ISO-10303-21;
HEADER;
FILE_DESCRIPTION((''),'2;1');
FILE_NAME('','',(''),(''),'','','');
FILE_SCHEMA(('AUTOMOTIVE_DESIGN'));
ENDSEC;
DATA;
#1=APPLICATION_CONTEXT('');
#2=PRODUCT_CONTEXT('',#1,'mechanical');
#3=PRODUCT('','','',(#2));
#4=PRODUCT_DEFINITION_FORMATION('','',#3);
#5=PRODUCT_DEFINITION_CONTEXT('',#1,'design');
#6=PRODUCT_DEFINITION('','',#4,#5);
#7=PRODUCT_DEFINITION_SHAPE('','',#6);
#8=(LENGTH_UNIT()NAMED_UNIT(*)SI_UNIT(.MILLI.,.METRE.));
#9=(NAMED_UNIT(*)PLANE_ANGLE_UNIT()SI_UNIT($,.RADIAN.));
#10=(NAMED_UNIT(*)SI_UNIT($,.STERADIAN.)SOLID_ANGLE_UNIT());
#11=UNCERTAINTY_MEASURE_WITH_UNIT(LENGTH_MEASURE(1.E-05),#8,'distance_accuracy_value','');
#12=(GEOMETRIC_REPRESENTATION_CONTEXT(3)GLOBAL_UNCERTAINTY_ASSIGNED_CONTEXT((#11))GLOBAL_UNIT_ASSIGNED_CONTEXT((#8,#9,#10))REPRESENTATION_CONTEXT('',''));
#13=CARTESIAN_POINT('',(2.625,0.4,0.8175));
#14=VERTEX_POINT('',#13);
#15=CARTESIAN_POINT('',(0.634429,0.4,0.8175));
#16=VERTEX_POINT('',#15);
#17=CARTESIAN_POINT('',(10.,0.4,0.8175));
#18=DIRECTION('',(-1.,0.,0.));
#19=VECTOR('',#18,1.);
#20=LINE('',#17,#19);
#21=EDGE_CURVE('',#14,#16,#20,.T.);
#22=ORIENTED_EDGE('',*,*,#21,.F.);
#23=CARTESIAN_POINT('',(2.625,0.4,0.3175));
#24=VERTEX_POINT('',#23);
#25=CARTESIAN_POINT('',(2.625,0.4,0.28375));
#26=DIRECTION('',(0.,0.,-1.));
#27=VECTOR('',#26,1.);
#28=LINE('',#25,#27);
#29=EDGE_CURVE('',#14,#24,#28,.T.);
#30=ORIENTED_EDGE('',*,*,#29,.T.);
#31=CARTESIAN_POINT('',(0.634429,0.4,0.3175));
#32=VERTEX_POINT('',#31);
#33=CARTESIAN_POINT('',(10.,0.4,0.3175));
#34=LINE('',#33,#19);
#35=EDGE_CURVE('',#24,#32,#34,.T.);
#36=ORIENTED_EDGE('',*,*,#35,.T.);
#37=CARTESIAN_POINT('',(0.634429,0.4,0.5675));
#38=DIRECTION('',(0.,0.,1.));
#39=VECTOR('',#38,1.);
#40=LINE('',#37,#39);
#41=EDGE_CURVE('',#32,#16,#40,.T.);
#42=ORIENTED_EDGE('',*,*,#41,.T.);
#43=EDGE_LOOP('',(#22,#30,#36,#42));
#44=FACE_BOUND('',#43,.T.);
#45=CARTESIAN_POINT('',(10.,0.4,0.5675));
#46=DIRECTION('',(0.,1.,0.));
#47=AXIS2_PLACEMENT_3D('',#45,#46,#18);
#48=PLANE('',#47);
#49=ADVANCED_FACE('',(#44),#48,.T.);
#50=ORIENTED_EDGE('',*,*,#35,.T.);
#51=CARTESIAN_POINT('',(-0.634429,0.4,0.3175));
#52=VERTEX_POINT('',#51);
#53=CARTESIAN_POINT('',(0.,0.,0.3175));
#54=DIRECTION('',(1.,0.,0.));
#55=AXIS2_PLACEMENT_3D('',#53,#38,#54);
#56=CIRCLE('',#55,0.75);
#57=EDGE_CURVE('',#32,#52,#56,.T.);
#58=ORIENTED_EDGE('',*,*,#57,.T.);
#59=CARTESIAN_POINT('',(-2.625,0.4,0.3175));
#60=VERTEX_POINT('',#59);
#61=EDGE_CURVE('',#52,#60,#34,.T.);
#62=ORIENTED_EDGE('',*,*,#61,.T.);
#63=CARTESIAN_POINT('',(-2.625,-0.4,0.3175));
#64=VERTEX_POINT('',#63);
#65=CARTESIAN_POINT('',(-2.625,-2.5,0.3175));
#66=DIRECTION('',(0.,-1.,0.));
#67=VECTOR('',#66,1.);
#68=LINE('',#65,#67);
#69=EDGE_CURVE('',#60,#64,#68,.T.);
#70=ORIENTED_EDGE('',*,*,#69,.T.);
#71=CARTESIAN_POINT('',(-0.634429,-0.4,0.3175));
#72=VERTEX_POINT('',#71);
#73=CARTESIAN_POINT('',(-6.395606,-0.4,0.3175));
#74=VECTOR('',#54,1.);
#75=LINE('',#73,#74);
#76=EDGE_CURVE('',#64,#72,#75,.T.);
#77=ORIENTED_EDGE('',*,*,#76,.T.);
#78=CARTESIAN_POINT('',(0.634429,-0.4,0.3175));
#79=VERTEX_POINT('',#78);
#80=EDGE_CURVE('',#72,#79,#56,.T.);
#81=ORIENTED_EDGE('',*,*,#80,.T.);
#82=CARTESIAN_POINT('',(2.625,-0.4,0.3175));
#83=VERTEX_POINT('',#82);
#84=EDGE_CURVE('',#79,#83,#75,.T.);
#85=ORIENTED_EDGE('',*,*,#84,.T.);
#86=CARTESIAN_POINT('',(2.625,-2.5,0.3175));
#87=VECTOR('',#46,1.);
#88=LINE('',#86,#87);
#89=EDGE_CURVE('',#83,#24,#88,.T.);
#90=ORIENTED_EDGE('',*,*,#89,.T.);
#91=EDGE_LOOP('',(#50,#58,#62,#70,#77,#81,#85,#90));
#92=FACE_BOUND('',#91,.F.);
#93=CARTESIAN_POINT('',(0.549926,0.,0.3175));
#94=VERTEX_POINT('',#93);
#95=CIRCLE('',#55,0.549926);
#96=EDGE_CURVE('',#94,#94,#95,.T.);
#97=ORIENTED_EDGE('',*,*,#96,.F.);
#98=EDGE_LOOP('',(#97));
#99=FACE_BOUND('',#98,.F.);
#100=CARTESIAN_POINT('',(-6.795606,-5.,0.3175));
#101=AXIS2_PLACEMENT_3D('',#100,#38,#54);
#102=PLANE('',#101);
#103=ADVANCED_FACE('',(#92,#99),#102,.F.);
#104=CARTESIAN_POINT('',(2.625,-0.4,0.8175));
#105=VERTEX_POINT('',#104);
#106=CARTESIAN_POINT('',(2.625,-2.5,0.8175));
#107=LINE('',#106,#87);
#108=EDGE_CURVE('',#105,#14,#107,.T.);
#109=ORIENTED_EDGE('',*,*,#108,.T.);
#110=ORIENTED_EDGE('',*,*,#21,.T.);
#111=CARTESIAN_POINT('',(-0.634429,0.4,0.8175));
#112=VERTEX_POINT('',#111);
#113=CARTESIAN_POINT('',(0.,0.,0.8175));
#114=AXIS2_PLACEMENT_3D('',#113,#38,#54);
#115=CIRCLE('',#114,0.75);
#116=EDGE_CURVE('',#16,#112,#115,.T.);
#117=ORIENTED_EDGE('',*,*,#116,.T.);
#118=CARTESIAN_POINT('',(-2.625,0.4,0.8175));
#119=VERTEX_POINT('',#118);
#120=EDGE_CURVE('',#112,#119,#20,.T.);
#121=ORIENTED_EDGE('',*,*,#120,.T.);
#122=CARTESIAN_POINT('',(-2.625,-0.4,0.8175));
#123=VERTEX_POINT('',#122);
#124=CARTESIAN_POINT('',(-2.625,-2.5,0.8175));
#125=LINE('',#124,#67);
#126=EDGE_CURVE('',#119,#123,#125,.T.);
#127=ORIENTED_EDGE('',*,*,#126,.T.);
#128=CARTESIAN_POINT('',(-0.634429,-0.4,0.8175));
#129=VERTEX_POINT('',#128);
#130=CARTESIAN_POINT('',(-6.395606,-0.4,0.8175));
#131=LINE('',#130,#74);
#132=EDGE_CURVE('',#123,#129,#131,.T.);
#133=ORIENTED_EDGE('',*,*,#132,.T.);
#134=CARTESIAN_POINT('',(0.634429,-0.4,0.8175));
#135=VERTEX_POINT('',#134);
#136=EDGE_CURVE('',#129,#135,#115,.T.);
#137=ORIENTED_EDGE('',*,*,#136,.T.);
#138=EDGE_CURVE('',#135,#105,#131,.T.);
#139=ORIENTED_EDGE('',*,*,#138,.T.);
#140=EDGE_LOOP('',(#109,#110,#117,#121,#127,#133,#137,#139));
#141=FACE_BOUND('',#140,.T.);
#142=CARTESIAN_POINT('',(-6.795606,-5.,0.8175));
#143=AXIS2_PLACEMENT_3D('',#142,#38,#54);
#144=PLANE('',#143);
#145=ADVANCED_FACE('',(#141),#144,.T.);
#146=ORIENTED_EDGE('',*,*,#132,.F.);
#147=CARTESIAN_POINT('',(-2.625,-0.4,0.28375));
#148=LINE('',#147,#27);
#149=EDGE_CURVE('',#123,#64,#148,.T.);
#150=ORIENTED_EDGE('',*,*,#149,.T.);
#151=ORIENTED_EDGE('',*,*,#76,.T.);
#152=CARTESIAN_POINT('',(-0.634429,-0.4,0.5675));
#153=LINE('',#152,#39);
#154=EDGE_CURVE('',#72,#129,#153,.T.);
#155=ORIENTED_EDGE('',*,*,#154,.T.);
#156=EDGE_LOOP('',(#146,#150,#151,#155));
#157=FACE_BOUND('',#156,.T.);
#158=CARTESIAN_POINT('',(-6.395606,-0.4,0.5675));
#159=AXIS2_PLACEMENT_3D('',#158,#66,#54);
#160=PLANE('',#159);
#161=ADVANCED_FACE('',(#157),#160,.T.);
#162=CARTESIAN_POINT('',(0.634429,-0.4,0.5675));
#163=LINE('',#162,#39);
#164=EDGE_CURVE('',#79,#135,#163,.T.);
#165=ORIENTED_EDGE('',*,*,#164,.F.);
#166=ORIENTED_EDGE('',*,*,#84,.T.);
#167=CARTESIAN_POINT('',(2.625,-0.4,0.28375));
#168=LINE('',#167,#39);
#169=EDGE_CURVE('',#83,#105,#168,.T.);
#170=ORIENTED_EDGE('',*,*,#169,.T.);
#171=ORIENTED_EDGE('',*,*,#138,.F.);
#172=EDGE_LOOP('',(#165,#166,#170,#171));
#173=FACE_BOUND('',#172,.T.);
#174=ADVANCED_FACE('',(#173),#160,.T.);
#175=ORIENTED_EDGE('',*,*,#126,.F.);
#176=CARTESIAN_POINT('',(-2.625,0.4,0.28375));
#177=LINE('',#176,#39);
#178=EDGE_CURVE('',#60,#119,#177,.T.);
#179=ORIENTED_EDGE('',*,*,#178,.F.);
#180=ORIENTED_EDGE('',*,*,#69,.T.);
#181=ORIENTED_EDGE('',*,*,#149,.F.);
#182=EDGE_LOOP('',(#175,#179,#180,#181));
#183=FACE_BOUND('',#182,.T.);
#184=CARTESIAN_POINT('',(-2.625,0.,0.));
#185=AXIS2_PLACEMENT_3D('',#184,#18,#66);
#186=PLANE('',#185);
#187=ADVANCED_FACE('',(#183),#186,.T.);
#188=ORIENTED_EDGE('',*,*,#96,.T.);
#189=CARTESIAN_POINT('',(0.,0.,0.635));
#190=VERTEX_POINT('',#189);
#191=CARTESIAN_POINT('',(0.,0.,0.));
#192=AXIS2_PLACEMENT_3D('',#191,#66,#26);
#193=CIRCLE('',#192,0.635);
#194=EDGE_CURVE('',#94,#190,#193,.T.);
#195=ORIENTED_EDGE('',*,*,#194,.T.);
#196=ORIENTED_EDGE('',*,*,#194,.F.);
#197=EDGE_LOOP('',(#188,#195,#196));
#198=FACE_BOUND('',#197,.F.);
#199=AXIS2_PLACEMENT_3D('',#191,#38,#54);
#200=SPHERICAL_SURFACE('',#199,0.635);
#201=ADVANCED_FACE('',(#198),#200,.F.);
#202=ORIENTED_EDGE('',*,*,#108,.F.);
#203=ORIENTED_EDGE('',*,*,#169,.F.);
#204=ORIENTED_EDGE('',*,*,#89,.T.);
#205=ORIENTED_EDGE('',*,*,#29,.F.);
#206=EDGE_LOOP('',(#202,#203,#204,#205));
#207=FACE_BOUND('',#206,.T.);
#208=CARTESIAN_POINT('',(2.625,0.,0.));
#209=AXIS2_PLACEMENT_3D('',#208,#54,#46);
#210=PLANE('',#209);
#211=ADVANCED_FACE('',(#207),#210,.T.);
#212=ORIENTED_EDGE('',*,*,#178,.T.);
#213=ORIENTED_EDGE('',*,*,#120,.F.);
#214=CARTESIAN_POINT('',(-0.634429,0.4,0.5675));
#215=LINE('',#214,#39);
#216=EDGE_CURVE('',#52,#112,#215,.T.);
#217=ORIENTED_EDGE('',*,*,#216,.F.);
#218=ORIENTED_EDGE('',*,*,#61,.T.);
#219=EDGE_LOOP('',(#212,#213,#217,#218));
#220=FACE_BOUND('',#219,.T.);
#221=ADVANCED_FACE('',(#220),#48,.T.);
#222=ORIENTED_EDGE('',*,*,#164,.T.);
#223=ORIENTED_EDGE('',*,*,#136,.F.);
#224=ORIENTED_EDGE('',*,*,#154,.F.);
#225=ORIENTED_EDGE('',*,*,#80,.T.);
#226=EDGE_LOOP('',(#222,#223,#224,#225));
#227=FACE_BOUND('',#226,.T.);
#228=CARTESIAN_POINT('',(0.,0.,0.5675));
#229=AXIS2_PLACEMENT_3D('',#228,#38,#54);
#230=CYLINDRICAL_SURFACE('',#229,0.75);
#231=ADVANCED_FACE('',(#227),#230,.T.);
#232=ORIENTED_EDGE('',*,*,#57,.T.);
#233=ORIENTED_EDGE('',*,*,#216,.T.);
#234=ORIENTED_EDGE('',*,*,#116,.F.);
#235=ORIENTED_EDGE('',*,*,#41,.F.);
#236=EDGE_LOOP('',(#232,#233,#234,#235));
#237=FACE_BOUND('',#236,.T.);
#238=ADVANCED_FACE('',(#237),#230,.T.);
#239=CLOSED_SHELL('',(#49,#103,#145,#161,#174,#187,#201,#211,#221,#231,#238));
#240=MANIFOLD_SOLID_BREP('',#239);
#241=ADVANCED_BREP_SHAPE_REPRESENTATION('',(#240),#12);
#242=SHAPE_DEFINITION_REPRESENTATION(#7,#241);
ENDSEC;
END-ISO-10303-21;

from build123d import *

# Parameters (mm, degrees)
PAD_DEPTH       = 0.25
SKETCH001_R     = 0.75
PAD001_DEPTH    = 0.25
SKETCH002_R     = 0.75
PAD002_DEPTH    = 0.25
SKETCH003_R     = 0.75
PAD003_DEPTH    = 0.25
SKETCH004_R     = 0.75
PAD004_DEPTH    = 0.4
SKETCH005_W     = 20
SKETCH005_H     = 20
POCKET_DEPTH    = 4.921606
SKETCH006_W     = 20
SKETCH006_H     = 20
POCKET001_DEPTH = 7.376


with BuildPart() as part:
    # Sketch (on DatumPlane) → Pad (new body, symmetric)
    with BuildSketch(Plane.XY.offset(0.5675)):
        Polygon((-7.195606, 5), (-7.195606, 0), (-7.195606, -5), (-6.795606, -5), (-6.395606, -5), (-6.395606, -0.4), (10, -0.4), (10, 0.4), (-6.395606, 0.4), (-6.395606, 5), (-6.795606, 5), align=None)
    extrude(amount=PAD_DEPTH, both=True)

    # Sketch001 (on DatumPlane) → Pad001 (join, symmetric)
    with BuildSketch(Plane.XY.offset(0.5675)):
        Circle(SKETCH001_R)
    extrude(amount=PAD001_DEPTH, both=True)

    # Sketch002 (on DatumPlane) → Pad002 (join, symmetric)
    with BuildSketch(Plane.XY.offset(0.5675)):
        with Locations((-6.795606, 5)):
            Circle(SKETCH002_R)
    extrude(amount=PAD002_DEPTH, both=True)

    # Sketch003 (on DatumPlane) → Pad003 (join, symmetric)
    with BuildSketch(Plane.XY.offset(0.5675)):
        with Locations((-6.795606, -5)):
            Circle(SKETCH003_R)
    extrude(amount=PAD003_DEPTH, both=True)

    # Sphere → Sphere (revolve, cut)
    with BuildSketch(Plane.XZ):
        with BuildLine():
            ThreePointArc((0, -0.635), (0.635, 0), (0, 0.635))
            Line((0, 0.635), (0, -0.635))
        make_face()
    revolve(axis=Axis((0, 0, 0), (0, 0, 1)), mode=Mode.SUBTRACT)

    # Sphere001 → Sphere001 (revolve, cut)
    with BuildSketch(Plane(origin=(-6.795606, 5, 1.135), x_dir=(1, 0, 0), z_dir=(0, -1, 0))):
        with BuildLine():
            ThreePointArc((0, -0.635), (0.635, 0), (0, 0.635))
            Line((0, 0.635), (0, -0.635))
        make_face()
    revolve(axis=Axis((-6.795606, 5, 1.135), (0, 0, 1)), mode=Mode.SUBTRACT)

    # Sphere002 → Sphere002 (revolve, cut)
    with BuildSketch(Plane(origin=(-6.795606, -5, 1.135), x_dir=(1, 0, 0), z_dir=(0, -1, 0))):
        with BuildLine():
            ThreePointArc((0, -0.635), (0.635, 0), (0, 0.635))
            Line((0, 0.635), (0, -0.635))
        make_face()
    revolve(axis=Axis((-6.795606, -5, 1.135), (0, 0, 1)), mode=Mode.SUBTRACT)

    # Sketch004 (on DatumPlane) → Pad004 (join, symmetric)
    with BuildSketch(Plane(origin=(0, 0, 0.5675), x_dir=(1, 0, 0), z_dir=(0, -1, 0))):
        with Locations((6.8, 0)):
            Circle(SKETCH004_R)
    extrude(amount=PAD004_DEPTH, both=True)

    # Sphere003 → Sphere003 (revolve, cut)
    with BuildSketch(Plane(origin=(6.8, 0.7175, 0.5675), x_dir=(1, 0, 0), z_dir=(0, -1, 0))):
        with BuildLine():
            ThreePointArc((0, -0.635), (0.635, 0), (0, 0.635))
            Line((0, 0.635), (0, -0.635))
        make_face()
    revolve(axis=Axis((6.8, 0.7175, 0.5675), (0, 0, 1)), mode=Mode.SUBTRACT)

    # Sketch005 (on DatumPlane) → Pocket (cut, through all)
    with BuildSketch(Plane(origin=(-2.625, 0, 0), x_dir=(0, -1, 0), z_dir=(-1, 0, 0))):
        Rectangle(SKETCH005_W, SKETCH005_H)
    extrude(amount=POCKET_DEPTH, mode=Mode.SUBTRACT)

    # Sketch006 (on DatumPlane) → Pocket001 (cut, through all)
    with BuildSketch(Plane.YZ.offset(2.625)):
        Rectangle(SKETCH006_W, SKETCH006_H)
    extrude(amount=POCKET001_DEPTH, mode=Mode.SUBTRACT)


solid = part.part
